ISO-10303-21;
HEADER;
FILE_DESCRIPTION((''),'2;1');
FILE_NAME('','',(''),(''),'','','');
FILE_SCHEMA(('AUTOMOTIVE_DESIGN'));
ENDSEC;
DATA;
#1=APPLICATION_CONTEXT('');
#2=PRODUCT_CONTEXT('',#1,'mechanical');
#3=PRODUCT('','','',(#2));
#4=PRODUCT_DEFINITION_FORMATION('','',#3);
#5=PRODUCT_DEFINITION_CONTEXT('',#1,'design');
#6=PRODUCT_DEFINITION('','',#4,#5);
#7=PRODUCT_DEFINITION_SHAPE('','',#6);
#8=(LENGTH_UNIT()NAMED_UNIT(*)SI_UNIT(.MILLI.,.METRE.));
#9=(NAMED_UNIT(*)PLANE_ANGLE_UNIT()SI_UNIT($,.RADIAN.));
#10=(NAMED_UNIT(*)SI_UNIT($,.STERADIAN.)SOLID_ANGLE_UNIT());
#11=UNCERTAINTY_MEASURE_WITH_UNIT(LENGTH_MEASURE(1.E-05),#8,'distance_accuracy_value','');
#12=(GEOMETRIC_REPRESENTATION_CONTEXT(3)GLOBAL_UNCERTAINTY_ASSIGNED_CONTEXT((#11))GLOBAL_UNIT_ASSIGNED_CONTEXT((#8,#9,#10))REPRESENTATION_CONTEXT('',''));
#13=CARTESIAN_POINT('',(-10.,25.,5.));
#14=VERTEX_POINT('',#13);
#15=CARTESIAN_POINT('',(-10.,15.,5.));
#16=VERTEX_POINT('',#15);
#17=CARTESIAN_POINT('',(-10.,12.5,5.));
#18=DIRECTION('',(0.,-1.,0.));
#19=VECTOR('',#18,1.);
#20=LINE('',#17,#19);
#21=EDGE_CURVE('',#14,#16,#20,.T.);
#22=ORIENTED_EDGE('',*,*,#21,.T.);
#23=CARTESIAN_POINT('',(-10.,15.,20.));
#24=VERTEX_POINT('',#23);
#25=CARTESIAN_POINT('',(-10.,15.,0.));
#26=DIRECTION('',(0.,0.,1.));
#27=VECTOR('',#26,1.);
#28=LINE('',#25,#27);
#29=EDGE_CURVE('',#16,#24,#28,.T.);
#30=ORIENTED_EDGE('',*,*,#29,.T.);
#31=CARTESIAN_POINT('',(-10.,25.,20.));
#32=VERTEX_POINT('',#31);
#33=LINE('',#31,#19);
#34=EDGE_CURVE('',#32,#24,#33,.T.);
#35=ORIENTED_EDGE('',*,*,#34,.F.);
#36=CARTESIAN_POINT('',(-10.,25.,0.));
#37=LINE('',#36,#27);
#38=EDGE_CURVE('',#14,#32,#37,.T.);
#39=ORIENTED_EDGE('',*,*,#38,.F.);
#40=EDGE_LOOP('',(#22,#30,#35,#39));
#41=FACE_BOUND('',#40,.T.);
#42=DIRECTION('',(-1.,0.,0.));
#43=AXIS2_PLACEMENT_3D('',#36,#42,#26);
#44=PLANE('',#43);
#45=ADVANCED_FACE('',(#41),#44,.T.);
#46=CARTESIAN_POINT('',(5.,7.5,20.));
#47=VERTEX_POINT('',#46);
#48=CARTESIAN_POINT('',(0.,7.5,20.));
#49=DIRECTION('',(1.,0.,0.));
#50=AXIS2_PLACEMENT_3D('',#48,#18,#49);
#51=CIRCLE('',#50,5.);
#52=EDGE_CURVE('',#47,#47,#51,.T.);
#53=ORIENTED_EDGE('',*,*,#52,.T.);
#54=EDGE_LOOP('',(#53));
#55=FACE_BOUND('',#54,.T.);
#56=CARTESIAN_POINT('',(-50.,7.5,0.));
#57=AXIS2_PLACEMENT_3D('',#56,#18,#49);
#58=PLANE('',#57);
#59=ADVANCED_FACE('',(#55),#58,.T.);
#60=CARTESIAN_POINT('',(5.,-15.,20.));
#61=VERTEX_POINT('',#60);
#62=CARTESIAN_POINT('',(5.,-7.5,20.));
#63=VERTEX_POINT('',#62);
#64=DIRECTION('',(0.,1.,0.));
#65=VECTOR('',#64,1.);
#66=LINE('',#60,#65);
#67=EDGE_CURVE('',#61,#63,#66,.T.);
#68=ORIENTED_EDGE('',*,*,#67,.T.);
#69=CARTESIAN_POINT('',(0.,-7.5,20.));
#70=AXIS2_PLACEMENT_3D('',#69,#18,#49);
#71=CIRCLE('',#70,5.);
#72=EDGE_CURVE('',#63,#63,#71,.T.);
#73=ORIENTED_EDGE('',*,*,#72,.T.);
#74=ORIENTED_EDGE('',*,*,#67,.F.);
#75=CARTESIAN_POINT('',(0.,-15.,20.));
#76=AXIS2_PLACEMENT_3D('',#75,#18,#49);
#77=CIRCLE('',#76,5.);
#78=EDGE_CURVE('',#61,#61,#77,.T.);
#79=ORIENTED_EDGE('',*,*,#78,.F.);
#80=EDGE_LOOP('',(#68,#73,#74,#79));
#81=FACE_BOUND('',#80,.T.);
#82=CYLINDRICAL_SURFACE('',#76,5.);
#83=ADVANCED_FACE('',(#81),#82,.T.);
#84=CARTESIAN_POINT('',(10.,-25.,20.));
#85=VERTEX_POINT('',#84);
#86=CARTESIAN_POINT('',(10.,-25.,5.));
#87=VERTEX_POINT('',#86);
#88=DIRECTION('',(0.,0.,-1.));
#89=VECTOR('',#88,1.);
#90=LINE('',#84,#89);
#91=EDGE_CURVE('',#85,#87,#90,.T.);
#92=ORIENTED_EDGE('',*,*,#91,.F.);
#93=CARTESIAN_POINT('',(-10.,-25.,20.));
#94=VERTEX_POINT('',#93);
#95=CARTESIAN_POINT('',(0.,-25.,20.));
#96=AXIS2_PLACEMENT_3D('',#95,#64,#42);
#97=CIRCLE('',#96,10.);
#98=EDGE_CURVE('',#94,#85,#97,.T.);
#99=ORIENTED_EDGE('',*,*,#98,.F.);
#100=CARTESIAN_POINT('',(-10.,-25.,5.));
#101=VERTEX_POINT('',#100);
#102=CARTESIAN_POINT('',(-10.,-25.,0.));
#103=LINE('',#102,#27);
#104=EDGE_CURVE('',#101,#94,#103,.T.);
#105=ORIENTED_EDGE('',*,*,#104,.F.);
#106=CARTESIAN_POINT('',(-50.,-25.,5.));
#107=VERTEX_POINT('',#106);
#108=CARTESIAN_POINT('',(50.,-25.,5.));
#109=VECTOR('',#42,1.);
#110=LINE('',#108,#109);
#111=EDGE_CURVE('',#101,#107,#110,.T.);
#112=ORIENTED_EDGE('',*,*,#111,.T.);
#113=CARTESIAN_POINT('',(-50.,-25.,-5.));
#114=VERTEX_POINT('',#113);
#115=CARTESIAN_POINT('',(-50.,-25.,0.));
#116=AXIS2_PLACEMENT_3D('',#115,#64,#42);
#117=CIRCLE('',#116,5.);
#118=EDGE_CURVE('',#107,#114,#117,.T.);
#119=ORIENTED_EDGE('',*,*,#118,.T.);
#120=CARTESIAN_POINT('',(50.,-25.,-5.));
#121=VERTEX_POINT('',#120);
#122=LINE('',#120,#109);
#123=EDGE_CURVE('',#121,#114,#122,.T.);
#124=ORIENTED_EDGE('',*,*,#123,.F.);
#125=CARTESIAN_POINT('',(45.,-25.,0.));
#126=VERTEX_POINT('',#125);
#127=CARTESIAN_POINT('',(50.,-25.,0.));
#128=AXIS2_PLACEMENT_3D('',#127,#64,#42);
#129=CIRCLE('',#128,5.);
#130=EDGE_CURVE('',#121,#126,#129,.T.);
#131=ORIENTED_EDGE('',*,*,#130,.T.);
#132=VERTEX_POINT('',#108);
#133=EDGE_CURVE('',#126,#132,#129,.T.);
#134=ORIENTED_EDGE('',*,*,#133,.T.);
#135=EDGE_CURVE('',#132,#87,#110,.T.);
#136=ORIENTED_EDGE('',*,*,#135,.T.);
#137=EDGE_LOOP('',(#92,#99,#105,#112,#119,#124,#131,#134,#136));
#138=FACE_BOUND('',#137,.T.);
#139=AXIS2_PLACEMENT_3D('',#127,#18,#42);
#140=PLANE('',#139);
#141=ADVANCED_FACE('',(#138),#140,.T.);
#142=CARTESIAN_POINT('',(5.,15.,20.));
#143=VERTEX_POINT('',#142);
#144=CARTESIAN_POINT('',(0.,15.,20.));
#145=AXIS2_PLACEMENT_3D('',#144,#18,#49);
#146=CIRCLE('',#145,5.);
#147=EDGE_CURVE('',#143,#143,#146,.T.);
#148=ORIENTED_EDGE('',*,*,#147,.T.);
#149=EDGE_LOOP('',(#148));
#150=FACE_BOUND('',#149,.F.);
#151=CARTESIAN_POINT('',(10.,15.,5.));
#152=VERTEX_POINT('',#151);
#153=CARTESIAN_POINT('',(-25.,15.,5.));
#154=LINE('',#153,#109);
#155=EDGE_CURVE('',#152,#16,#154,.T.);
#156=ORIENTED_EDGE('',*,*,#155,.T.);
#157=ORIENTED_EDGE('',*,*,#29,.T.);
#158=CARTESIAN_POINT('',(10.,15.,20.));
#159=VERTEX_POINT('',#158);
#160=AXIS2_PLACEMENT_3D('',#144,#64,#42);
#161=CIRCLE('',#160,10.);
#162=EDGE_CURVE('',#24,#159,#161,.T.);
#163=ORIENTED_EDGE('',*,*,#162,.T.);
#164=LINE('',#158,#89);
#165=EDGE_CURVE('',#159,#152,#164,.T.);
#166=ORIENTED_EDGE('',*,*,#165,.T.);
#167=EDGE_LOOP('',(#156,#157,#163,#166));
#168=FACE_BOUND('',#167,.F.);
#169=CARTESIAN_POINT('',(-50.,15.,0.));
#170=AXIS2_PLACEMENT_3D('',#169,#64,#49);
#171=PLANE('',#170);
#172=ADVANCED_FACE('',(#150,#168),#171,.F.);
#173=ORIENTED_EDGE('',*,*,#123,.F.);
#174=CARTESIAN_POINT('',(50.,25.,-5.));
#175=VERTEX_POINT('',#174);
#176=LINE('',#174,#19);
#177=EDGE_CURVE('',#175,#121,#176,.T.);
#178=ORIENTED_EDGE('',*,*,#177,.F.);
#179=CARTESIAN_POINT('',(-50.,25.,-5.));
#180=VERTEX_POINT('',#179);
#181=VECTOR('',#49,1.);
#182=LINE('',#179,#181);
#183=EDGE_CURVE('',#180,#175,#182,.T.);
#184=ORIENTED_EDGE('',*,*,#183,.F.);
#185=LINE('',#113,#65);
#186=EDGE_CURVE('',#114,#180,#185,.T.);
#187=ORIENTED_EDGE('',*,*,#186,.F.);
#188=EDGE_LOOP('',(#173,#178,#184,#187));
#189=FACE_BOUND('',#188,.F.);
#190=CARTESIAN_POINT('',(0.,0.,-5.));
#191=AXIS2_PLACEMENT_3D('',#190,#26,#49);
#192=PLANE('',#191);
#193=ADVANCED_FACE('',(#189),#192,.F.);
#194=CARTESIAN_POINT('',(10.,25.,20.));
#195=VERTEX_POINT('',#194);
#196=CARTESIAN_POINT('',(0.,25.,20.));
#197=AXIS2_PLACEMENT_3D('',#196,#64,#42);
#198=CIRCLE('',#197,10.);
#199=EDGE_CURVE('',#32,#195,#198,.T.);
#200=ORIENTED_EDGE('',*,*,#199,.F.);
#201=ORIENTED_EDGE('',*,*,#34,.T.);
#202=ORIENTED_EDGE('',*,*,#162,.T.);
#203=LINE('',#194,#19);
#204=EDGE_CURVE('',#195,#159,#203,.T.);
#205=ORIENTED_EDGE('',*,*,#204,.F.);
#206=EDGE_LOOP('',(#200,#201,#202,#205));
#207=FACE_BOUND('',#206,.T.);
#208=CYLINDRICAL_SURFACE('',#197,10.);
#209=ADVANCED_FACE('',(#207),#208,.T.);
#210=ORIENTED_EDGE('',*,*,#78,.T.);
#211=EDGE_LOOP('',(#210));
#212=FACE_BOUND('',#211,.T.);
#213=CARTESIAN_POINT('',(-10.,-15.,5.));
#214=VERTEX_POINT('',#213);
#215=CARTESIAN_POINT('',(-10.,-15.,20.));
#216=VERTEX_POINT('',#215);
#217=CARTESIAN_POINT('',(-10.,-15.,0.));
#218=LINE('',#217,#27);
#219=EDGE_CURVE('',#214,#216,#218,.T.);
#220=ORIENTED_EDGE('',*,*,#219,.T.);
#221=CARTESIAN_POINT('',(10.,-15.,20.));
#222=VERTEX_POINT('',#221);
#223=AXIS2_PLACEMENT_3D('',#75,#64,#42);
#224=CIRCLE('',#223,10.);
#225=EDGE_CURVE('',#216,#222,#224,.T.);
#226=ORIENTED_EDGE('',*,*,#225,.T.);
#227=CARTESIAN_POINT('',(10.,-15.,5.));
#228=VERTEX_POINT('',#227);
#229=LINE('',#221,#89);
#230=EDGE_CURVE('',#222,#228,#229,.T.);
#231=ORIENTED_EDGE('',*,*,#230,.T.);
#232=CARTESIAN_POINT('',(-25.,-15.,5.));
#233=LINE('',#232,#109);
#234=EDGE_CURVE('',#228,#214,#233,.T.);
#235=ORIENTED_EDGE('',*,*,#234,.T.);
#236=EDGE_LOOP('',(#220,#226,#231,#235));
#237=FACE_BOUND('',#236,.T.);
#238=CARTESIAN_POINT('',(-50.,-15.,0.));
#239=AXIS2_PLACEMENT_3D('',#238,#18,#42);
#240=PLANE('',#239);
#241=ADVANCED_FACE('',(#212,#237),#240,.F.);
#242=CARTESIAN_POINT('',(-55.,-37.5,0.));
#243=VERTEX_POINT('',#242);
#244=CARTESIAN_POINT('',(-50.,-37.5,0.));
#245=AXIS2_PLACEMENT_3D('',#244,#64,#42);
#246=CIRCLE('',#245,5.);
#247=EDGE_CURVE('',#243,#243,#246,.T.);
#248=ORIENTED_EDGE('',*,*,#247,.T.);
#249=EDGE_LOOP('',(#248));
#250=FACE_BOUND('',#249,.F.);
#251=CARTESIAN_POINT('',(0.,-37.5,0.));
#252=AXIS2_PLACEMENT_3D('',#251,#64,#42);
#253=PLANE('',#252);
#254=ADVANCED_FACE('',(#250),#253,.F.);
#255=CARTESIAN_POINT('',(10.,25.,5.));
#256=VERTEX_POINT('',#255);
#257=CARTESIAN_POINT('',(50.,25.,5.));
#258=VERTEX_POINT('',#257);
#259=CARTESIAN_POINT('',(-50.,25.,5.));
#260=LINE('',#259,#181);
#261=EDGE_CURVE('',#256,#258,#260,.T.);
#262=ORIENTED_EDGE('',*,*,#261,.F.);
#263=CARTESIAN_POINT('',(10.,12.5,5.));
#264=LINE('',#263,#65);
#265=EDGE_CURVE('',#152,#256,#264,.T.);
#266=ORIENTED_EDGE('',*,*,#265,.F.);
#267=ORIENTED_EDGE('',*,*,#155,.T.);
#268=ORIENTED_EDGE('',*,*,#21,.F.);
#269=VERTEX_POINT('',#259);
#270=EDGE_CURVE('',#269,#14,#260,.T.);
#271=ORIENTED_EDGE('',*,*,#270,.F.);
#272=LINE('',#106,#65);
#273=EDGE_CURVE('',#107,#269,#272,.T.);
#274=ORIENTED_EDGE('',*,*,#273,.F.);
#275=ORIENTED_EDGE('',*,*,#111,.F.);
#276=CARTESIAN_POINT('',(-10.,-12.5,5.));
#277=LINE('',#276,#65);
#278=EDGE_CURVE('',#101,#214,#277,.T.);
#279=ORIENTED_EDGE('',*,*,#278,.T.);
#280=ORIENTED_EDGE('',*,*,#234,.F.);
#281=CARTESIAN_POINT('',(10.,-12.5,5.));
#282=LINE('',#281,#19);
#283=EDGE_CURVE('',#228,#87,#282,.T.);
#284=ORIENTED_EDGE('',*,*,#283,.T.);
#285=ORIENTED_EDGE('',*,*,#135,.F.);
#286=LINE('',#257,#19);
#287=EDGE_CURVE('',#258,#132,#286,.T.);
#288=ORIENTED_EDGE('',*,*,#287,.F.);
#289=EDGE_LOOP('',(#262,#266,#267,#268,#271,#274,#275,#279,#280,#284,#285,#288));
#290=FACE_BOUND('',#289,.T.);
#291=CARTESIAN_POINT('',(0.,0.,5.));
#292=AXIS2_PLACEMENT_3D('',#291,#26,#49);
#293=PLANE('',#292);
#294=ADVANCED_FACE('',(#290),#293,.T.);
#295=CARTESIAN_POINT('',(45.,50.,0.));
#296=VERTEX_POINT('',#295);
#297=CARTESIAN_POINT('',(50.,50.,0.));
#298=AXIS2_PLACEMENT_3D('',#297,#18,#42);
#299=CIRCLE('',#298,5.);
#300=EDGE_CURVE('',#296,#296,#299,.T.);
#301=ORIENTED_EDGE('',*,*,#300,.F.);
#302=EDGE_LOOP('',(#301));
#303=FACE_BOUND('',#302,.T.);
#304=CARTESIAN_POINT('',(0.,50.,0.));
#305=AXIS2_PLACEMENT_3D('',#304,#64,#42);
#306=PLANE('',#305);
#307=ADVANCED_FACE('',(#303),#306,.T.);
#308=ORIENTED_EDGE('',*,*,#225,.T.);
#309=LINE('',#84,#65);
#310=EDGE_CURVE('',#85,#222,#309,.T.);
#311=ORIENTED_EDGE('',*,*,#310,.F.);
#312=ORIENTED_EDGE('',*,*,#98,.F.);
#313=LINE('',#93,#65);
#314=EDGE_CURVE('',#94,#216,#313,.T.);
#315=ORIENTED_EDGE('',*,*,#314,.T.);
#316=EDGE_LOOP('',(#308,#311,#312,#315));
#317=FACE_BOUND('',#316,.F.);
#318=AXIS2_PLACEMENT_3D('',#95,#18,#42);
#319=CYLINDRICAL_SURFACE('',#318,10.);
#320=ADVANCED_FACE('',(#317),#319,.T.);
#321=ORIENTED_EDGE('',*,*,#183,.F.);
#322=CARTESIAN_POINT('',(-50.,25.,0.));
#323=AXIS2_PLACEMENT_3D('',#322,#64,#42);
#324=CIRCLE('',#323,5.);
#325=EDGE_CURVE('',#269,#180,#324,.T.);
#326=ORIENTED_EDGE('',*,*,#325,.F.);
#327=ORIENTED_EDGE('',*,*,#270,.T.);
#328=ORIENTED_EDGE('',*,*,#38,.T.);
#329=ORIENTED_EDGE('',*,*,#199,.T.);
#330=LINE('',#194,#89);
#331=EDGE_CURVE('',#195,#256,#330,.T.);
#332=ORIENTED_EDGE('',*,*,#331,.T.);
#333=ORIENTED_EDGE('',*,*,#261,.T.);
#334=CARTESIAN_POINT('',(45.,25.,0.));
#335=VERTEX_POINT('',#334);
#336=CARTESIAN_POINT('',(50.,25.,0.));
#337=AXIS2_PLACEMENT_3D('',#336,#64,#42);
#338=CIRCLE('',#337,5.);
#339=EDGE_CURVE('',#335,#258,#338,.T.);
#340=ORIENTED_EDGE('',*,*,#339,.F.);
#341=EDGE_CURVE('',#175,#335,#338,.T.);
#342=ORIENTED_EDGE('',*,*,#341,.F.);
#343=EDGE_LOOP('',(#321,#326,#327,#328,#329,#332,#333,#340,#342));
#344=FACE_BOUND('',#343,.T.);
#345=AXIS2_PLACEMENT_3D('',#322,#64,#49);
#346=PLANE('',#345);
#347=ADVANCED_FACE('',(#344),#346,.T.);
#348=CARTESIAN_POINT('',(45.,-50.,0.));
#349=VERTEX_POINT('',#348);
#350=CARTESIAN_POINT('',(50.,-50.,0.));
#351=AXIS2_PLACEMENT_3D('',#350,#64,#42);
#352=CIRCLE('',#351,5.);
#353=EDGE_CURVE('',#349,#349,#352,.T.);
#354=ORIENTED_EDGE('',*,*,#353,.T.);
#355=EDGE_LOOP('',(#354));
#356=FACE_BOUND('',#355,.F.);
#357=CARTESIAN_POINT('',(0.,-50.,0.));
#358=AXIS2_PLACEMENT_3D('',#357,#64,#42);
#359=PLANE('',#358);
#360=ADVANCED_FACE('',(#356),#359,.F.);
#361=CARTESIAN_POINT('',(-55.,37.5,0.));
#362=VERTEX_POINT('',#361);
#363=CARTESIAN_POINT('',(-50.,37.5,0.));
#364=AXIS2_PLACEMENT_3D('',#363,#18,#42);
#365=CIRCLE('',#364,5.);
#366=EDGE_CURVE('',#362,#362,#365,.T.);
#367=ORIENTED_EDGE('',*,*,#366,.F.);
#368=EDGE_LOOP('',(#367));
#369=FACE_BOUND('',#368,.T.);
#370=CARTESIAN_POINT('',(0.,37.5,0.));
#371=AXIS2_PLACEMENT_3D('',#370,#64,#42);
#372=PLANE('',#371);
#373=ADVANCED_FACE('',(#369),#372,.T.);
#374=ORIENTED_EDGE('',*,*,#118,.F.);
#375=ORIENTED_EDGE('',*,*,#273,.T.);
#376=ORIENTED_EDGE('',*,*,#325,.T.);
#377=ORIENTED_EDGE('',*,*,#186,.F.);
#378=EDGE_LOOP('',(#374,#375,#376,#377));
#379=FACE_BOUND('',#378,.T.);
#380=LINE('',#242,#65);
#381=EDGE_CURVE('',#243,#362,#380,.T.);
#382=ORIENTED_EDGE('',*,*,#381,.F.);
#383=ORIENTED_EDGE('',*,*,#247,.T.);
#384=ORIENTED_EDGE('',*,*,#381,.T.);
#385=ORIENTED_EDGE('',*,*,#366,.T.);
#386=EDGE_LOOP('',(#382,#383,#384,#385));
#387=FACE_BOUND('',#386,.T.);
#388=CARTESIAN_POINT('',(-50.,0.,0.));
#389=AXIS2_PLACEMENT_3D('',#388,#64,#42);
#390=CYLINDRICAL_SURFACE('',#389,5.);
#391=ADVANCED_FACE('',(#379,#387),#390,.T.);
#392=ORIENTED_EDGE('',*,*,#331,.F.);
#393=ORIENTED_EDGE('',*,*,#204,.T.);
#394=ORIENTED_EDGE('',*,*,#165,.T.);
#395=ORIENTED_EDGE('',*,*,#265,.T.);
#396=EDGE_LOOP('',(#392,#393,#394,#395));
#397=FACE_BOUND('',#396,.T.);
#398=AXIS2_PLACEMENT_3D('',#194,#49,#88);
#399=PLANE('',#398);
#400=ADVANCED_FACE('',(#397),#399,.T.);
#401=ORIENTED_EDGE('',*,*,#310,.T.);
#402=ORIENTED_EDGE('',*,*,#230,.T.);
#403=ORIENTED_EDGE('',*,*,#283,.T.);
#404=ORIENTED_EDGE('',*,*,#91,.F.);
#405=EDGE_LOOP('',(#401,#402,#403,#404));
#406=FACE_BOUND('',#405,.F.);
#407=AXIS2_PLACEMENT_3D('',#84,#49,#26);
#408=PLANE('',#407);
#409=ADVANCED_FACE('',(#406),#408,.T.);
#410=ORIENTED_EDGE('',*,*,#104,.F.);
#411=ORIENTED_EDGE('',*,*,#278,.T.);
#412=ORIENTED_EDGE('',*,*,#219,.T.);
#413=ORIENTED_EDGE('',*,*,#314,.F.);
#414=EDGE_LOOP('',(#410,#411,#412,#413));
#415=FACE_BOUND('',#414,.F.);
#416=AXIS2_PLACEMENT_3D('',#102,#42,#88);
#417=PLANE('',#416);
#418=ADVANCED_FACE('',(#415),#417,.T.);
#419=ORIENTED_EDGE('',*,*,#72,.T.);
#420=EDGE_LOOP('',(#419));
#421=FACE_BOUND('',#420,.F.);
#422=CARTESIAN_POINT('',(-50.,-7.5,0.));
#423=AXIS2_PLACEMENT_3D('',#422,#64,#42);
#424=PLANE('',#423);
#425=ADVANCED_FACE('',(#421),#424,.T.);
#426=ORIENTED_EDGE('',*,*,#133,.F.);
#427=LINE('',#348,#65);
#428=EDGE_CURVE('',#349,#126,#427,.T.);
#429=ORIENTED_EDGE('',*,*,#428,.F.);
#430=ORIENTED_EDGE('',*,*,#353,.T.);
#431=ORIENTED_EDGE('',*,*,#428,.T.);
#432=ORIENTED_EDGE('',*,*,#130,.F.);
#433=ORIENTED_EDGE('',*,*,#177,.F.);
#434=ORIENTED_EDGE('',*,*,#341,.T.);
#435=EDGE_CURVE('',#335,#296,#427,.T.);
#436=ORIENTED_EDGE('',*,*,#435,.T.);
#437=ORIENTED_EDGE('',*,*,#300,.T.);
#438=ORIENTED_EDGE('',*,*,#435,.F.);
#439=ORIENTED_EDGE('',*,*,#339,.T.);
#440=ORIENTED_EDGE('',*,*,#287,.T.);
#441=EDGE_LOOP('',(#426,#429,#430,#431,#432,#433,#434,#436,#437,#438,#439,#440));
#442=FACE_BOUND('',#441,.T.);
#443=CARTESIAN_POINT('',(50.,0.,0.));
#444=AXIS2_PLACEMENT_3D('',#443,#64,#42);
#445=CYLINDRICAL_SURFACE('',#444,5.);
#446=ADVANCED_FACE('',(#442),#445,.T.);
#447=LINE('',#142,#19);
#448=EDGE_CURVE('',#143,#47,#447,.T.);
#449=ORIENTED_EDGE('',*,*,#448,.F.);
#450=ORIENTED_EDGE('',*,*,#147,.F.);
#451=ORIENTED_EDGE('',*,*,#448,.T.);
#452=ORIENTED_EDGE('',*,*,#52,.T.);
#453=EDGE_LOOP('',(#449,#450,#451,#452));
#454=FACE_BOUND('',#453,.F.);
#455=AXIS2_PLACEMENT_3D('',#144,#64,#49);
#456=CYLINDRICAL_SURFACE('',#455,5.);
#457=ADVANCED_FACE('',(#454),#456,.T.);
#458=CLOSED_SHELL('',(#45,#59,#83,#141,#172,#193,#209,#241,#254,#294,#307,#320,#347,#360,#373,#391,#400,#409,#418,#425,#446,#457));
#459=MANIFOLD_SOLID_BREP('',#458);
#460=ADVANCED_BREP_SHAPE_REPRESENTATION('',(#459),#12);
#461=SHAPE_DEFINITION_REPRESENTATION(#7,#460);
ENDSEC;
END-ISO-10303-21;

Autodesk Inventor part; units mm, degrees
ref_plane "YZ Plane" through (0, 0, 0) normal (1, 0, 0) x (0, 1, 0)
ref_plane "XZ Plane" through (0, 0, 0) normal (0, 1, 0) x (-1, 0, 0)
ref_plane "XY Plane" through (0, 0, 0) normal (0, 0, 1) x (1, 0, 0)
sketch "Sketch1" plane through (0, 0, 0) normal (0, 0, 1) x (1, 0, 0)
  line L0 (-50, 25) -> (50, 25)
  line L1 (50, 25) -> (50, -25)
  line L2 (50, -25) -> (-50, -25)
  line L3 (-50, -25) -> (-50, 25)
  point P0 (0, 0)
  dimension "d0" = 100
  dimension "d1" = 50
  dimension "d2" = 25
  dimension "d3" = 50
extrude "Extrusion1" add sketch "Sketch1" along normal mid plane 10
sketch "Sketch3" plane through (0, 0, 0) normal (0, 1, 0) x (-1, 0, 0)
  line L0 (50, -5) -> (50, 5) projected
  circle A0 centre (50, 0) radius 5
  line L1 (-50, -5) -> (-50, 5) projected
  point P0 (0, 0)
extrude "Extrusion2" add sketch "Sketch3" along normal mid plane 75
sketch "Sketch4" plane through (0, 0, 0) normal (0, 1, 0) x (-1, 0, 0)
  line L0 (-50, -5) -> (-50, 5) projected
  circle A0 centre (-50, 0) radius 5
  point P0 (0, 0)
extrude "Extrusion3" add sketch "Sketch4" along normal mid plane 100
sketch "Sketch8" plane through (-50, 25, 0) normal (0, 1, 0) x (1, 0, 0)
  line L0 (60, 0) -> (40, 0)
  line L1 (40, 0) -> (40, -20)
  line L2 (40, -20) -> (60, -20)
  line L3 (60, -20) -> (60, 0)
  arc A0 (40, -20) -> (60, -20) centre (50, -20) ccw
  point P0 (50, 0)
  dimension "d16" = 20
  dimension "d17" = 20
  dimension "d18" = 10
extrude "Extrusion6" add sketch "Sketch8" against normal blind 10
mirror "Mirror1" about plane through (0, 0, 0) normal (0, 1, 0) of "Extrusion6"
sketch "Sketch9" plane through (-50, 15, 0) normal (0, -1, 0) x (1, 0, 0)
  arc A0 (60, 20) -> (40, 20) centre (50, 20) ccw projected
  circle A1 centre (50, 20) radius 5
  point P0 (50, 0)
  dimension "d21" = 10
extrude "Extrusion7" add sketch "Sketch9" along normal blind 7.5
mirror "Mirror2" about plane through (0, 0, 0) normal (0, 1, 0) of "Extrusion7"
properties part number "enEffector" material "Stainless Steel"
